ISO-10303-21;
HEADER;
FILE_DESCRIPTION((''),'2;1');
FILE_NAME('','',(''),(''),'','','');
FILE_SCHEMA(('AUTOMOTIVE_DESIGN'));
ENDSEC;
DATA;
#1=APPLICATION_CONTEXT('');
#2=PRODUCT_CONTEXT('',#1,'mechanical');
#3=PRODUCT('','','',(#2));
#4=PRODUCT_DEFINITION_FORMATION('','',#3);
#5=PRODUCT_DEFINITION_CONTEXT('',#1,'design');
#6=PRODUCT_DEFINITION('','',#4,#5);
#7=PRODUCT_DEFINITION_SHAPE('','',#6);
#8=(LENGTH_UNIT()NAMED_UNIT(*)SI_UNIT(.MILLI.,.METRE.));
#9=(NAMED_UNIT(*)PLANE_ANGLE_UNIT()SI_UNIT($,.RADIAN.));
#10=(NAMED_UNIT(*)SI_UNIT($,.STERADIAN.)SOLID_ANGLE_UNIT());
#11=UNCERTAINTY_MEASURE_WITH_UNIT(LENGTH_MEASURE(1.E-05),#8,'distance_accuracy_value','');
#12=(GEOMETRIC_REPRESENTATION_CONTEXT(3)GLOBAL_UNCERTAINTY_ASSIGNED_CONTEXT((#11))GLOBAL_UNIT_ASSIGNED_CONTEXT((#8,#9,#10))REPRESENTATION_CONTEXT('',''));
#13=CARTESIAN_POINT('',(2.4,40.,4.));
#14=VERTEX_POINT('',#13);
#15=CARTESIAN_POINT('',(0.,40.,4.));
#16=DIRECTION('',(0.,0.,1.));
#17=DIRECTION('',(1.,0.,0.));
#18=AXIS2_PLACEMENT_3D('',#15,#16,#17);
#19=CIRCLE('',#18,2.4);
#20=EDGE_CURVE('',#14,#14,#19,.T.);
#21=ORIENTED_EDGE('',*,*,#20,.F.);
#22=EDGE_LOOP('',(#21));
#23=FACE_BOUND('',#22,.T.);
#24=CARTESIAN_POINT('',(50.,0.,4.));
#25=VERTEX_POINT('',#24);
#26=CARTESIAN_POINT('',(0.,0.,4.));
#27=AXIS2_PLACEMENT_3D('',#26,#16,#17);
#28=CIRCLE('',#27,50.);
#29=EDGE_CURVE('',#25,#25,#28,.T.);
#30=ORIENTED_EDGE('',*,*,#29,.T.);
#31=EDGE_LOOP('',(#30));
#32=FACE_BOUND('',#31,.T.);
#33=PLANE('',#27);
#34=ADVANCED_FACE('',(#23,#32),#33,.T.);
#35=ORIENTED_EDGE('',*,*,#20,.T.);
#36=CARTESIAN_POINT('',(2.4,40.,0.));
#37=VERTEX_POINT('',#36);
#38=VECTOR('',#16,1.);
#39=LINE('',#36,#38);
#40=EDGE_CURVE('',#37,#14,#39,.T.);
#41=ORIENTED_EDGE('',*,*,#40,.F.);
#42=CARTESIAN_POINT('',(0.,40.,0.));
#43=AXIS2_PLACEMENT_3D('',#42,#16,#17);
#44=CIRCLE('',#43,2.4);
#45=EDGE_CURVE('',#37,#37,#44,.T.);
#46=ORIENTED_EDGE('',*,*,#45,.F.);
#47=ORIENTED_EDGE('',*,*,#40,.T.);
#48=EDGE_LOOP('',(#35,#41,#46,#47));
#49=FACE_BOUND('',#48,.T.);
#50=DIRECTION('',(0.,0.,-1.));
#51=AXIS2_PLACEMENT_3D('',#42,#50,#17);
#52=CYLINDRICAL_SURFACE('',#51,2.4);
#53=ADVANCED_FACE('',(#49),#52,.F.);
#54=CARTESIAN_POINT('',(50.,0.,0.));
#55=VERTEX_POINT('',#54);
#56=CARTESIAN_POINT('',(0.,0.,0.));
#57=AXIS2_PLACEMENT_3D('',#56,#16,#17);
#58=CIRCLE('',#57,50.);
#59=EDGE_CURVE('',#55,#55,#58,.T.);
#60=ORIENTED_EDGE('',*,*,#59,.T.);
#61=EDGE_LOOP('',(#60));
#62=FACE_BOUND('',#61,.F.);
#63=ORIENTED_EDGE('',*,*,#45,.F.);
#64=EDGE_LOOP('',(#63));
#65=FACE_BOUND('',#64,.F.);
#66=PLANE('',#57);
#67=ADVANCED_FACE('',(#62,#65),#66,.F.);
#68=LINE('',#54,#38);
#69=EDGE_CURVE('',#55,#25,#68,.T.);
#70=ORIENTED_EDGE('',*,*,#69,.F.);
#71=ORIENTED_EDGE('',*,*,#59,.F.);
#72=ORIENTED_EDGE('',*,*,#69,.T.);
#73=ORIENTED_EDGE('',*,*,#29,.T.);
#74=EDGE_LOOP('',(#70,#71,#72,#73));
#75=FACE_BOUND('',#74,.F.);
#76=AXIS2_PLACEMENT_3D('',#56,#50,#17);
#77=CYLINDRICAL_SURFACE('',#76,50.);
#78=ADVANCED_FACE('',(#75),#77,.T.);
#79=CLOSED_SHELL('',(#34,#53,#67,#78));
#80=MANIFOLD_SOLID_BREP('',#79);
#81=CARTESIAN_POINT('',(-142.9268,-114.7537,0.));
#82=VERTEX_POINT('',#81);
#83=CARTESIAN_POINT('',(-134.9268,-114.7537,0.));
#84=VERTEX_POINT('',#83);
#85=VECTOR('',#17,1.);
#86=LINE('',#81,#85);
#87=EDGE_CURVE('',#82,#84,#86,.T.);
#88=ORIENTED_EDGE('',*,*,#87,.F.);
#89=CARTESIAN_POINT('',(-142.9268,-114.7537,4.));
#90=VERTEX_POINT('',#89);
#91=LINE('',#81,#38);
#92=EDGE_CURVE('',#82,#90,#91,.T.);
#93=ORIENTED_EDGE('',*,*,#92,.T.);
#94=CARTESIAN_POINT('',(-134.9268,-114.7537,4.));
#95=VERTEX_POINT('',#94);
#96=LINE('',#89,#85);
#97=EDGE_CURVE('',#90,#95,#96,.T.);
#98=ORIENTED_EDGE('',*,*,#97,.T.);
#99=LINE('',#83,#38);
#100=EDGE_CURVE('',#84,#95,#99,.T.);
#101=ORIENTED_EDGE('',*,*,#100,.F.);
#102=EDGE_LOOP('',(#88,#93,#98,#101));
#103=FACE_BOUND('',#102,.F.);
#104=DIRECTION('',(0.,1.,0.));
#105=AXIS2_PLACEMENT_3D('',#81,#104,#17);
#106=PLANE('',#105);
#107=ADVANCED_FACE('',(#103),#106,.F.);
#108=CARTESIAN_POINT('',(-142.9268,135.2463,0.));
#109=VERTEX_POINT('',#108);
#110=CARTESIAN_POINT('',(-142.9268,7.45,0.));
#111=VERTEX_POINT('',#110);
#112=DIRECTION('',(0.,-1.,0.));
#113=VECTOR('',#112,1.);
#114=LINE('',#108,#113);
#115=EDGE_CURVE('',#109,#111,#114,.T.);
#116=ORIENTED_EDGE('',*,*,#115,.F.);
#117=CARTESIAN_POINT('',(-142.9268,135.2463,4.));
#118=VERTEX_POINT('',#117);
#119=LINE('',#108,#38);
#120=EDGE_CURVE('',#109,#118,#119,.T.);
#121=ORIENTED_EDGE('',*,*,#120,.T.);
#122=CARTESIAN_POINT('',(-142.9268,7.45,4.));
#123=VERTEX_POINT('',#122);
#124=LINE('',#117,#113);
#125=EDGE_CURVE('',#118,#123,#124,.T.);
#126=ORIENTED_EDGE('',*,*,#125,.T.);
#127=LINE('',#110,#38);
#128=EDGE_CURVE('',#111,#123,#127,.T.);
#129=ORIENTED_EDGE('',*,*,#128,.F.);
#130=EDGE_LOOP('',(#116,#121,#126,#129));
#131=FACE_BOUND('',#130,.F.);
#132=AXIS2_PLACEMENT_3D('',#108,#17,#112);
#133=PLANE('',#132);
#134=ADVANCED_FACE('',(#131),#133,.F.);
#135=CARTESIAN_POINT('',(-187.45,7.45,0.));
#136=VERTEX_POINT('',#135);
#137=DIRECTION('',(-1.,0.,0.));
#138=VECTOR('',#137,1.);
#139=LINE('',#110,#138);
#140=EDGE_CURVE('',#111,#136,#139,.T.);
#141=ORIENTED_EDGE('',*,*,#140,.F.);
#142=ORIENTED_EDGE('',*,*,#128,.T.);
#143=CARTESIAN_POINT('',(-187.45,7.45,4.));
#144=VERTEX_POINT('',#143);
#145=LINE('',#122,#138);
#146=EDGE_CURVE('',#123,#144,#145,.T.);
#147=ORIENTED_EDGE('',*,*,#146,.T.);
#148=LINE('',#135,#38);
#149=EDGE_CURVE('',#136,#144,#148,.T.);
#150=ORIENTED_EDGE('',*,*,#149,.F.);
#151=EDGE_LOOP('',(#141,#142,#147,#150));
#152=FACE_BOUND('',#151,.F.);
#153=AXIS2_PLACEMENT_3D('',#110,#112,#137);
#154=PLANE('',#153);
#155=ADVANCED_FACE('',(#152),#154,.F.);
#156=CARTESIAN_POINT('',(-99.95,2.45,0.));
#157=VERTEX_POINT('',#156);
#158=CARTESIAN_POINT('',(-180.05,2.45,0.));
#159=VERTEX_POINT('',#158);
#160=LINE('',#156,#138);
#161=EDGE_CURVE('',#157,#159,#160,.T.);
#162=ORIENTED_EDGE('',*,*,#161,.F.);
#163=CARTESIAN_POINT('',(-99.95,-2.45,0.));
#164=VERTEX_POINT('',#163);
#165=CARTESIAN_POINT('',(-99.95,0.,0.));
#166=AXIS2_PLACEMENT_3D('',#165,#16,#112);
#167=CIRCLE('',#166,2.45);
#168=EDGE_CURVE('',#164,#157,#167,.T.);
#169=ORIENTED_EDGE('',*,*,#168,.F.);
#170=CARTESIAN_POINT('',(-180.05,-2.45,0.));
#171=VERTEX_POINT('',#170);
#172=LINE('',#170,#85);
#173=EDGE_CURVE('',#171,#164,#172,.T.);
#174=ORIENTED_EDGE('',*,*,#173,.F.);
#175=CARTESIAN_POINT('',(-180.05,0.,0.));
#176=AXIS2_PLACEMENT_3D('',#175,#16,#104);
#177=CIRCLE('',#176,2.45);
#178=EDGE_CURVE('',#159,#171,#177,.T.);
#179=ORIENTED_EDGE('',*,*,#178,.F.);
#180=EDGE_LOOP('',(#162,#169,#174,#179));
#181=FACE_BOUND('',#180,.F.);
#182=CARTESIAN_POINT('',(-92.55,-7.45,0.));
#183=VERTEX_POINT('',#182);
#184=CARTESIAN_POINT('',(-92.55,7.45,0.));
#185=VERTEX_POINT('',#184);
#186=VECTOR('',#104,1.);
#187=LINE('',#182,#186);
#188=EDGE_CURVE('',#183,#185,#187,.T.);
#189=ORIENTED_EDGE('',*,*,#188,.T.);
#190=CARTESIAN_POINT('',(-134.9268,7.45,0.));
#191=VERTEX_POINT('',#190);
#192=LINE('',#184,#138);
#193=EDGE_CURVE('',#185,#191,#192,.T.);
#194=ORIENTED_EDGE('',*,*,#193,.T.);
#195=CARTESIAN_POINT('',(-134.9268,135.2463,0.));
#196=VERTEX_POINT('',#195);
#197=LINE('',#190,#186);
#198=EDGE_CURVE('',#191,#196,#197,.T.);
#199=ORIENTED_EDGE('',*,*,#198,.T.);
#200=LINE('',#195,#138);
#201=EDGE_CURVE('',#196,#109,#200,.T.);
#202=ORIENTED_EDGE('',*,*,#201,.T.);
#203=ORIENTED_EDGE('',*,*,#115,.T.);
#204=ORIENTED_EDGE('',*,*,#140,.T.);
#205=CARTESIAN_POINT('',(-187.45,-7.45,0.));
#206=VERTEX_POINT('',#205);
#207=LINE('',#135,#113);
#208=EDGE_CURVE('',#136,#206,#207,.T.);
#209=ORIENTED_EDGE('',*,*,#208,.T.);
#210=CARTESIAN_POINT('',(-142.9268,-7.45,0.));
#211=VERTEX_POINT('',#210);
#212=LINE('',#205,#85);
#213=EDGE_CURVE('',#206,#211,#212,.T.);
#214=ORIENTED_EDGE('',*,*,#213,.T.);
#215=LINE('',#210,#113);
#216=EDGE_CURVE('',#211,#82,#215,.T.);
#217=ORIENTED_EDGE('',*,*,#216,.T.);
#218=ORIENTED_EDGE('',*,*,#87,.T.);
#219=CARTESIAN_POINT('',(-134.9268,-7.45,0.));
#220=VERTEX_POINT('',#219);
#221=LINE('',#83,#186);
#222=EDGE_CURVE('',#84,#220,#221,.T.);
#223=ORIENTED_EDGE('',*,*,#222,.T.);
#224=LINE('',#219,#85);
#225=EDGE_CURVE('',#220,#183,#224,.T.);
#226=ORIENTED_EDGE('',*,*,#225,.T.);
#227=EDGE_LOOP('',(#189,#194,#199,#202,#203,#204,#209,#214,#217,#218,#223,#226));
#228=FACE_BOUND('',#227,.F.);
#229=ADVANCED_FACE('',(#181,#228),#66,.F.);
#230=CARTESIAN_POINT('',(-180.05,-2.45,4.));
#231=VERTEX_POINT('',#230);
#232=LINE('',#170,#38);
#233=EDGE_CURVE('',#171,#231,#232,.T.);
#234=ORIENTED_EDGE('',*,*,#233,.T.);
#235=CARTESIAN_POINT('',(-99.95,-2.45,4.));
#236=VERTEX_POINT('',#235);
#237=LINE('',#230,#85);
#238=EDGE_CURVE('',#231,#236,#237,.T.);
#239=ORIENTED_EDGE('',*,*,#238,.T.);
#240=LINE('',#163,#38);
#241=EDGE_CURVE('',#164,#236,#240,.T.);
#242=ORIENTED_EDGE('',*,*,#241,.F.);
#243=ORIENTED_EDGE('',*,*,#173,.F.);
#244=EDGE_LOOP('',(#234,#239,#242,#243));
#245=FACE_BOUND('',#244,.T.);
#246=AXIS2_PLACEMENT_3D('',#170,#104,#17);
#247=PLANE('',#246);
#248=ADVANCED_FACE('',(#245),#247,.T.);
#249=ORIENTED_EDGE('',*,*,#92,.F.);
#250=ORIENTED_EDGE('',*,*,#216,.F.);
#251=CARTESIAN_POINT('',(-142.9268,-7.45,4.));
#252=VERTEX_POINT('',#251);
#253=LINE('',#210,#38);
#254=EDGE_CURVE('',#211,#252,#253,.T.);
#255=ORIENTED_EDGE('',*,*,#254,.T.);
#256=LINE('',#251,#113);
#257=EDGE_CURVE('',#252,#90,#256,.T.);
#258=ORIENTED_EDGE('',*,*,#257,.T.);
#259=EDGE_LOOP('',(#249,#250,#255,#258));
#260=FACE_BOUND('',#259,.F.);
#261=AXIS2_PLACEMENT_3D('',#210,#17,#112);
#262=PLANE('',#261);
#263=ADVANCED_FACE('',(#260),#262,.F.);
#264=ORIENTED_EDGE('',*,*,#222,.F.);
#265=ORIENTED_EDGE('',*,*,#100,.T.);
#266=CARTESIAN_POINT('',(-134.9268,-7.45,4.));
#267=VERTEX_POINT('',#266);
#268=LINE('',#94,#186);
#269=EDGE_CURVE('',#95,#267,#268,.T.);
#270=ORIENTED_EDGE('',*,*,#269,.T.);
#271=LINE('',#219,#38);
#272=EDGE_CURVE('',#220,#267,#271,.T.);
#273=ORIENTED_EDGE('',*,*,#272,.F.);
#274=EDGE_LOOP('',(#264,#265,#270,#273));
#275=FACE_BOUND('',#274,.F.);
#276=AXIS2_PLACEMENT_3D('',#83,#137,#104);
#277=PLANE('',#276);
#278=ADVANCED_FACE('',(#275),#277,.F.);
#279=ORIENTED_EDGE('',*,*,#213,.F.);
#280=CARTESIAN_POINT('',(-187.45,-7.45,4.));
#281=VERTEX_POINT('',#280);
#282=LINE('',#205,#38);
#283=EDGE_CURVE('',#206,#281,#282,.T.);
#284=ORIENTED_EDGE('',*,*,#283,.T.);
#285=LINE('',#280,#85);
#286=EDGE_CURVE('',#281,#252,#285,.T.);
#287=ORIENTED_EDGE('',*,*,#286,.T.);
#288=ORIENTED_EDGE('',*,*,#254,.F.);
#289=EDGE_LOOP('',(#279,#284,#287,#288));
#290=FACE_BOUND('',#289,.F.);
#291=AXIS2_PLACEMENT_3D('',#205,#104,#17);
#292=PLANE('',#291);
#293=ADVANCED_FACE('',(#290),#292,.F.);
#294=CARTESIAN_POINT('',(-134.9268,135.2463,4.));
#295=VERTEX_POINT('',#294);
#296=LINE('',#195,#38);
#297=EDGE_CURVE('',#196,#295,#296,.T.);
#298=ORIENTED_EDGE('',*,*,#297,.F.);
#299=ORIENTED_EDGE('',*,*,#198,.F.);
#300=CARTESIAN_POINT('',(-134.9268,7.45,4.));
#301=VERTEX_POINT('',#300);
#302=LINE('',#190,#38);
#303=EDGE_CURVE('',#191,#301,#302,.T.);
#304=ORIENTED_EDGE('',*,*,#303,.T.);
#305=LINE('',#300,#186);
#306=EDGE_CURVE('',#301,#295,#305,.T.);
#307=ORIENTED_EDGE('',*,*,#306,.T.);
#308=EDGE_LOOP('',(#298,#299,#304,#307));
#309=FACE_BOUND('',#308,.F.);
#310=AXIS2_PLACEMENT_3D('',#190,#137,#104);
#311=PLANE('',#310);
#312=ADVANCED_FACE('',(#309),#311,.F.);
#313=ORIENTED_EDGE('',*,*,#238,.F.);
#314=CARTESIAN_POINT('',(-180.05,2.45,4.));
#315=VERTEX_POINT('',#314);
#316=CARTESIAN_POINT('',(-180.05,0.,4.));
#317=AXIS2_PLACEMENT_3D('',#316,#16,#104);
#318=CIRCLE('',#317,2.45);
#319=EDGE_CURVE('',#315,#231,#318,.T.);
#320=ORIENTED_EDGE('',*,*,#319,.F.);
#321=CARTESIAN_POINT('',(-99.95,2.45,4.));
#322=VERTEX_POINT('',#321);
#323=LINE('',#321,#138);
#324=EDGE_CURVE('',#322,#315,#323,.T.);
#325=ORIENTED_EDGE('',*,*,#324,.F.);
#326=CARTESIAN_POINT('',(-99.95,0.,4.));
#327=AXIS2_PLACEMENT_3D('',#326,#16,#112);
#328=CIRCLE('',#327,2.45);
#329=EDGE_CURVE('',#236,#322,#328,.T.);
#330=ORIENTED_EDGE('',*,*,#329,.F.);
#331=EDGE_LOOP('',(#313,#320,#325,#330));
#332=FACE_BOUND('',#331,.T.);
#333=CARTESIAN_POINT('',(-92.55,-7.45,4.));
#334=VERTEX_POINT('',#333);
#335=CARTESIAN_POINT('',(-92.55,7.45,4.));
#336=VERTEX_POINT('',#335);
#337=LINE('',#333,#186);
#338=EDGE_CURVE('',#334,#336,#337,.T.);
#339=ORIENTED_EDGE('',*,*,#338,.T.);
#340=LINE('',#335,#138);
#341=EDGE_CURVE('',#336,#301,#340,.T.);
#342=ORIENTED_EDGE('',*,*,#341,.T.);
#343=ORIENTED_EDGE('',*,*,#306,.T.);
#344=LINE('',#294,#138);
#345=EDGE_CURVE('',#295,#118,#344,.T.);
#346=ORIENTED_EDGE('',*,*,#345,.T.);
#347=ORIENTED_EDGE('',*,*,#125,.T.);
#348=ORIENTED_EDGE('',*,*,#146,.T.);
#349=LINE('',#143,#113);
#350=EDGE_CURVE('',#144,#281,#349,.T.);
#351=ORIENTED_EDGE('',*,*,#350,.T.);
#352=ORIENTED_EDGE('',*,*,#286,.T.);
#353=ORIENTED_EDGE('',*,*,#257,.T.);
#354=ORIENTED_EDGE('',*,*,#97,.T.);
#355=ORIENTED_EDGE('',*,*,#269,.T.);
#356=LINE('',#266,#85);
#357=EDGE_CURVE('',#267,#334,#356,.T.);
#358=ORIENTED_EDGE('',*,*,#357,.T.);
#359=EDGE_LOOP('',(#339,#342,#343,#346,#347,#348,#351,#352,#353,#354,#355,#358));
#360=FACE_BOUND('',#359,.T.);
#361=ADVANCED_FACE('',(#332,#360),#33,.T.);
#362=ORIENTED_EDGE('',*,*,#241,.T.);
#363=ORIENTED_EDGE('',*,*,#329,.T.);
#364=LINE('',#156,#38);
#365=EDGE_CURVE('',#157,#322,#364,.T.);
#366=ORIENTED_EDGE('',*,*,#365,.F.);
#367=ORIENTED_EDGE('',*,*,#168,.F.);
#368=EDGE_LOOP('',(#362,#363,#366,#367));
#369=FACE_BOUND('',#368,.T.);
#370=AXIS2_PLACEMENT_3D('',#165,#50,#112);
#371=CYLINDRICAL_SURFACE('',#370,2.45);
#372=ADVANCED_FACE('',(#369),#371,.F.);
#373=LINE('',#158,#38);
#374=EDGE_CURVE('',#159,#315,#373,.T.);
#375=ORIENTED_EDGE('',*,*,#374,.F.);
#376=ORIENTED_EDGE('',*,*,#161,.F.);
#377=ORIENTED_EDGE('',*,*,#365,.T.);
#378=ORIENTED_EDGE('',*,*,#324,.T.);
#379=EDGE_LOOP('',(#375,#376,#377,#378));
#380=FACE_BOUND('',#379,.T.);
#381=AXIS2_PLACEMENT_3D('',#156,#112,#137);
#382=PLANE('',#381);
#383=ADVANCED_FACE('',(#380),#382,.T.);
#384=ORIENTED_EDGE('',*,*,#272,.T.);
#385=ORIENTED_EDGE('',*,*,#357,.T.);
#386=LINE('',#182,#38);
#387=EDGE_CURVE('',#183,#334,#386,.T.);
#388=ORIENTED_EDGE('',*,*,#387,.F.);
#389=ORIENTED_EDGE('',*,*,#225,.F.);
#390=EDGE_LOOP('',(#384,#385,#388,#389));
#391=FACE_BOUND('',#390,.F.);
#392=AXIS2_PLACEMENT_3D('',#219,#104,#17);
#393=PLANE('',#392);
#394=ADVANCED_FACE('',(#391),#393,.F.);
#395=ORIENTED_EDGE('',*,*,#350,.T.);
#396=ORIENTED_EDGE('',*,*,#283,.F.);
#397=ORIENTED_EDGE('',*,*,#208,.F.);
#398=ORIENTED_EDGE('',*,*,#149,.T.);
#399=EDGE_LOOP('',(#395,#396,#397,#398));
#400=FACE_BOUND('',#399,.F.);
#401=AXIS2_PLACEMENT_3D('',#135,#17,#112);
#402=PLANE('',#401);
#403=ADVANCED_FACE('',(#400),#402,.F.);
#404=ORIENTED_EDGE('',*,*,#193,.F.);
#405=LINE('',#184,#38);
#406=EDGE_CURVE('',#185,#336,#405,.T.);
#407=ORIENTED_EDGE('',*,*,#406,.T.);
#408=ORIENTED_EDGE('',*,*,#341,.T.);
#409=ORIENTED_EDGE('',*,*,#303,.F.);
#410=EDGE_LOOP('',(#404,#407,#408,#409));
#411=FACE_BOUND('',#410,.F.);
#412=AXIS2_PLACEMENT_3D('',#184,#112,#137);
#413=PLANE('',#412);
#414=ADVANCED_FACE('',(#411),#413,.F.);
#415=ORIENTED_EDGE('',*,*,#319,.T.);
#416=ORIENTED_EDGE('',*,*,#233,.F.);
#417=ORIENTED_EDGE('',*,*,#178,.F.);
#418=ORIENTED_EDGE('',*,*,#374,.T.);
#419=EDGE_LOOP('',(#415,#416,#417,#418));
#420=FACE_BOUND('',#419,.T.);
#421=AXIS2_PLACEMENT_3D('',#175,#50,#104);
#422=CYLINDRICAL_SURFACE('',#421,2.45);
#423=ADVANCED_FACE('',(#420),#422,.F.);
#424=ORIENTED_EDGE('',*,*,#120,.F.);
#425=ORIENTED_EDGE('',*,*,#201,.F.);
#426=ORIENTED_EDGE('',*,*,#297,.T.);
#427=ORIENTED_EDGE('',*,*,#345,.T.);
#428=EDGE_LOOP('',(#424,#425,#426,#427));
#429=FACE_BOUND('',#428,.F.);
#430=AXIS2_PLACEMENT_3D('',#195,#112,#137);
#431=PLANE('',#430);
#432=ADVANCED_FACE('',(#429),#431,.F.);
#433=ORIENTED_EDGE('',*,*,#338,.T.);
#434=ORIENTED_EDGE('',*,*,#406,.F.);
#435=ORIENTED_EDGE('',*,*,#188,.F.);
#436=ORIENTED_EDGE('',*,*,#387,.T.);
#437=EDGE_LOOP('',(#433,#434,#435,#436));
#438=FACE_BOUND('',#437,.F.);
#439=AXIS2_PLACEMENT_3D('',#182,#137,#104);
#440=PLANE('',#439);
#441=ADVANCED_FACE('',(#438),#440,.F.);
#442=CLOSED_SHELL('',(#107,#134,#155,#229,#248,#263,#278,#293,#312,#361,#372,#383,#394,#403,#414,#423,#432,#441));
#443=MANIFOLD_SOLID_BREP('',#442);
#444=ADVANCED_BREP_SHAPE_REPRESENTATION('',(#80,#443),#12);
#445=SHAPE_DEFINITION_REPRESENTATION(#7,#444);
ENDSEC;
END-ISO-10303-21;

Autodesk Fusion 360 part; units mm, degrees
sketch "Sketch1" plane through (0, 0, 0) normal (0, 0, 1) x (1, 0, 0)
  line L0 (-134.9268, 7.45) -> (-134.9268, 135.2463)
  line L1 (-99.95, -2.45) -> (-99.95, -2.4)
  line L2 (-187.45, 7.45) -> (-187.45, -7.45)
  line L3 (-134.9268, 135.2463) -> (-142.9268, 135.2463)
  line L4 (-134.9268, -7.45) -> (-92.55, -7.45)
  line L5 (-99.95, 2.45) -> (-180.05, 2.45)
  line L6 (-92.55, -7.45) -> (-92.55, 7.45)
  arc A0 (-99.95, -2.45) -> (-99.95, 2.45) centre (-99.95, 0) ccw
  line L7 (-134.9268, -114.7537) -> (-134.9268, -7.45)
  line L8 (-99.95, 2.4) -> (-99.95, 2.45)
  line L9 (-180.05, -2.45) -> (-99.95, -2.45)
  line L10 (-92.55, 7.45) -> (-134.9268, 7.45)
  line L11 (-142.9268, 7.45) -> (-187.45, 7.45)
  arc A1 (-180.05, 2.45) -> (-180.05, -2.45) centre (-180.05, 0) ccw
  line L12 (-142.9268, 135.2463) -> (-142.9268, 7.45)
  line L13 (-142.9268, -7.45) -> (-142.9268, -114.7537)
  line L14 (-142.9268, -114.7537) -> (-134.9268, -114.7537)
  line L15 (-187.45, -7.45) -> (-142.9268, -7.45)
  point P0 (-140, 0)
  point P1 (-99.95, 0)
  point P2 (-180.05, 0)
  point P3 (-140, 0)
  point P4 (-140, 0)
  point P5 (-140, 0)
  dimension "d12" = 8
  dimension "d13" = 250
  dimension "d14" = 94.9
  dimension "d15" = 14.9
  dimension "d16" = 80.1
  dimension "d17" = 4.9
  dimension "d18" = 4.9
  dimension "d19" = 4.9
sketch "Sketch2" plane through (0, 0, 0) normal (0, 0, 1) x (1, 0, 0)
  circle A0 centre (0, 0) radius 50
  circle A1 centre (0, 40) radius 2.4
  dimension "d20" = 100
  dimension "d22" = 4.8
extrude "Extrude1" add sketch "Sketch2" along normal blind 4 makes body 1
extrude "Extrude2" add sketch "Sketch1" along normal blind 4 separate body makes body 2
sketch "Sketch5" plane through (0, 0, 4) normal (0, 0, 1) x (-1, 0, 0)
  circle A0 centre (0, -40) radius 2.4
  circle A1 centre (0, 0) radius 50
  arc A2 (180.05, -2.45) -> (180.05, 2.45) centre (180.05, 0) ccw
  line L0 (180.05, -2.45) -> (99.95, -2.45)
  arc A3 (99.95, 2.45) -> (99.95, -2.45) centre (99.95, 0) ccw
  line L1 (99.95, 2.45) -> (180.05, 2.45)
  line L2 (187.45, 7.45) -> (142.9268, 7.45)
  line L3 (142.9268, 7.45) -> (142.9268, 114.7537)
  line L4 (142.9268, 114.7537) -> (134.9268, 114.7537)
  line L5 (134.9268, 114.7537) -> (134.9268, 7.45)
  line L6 (134.9268, 7.45) -> (92.55, 7.45)
  line L7 (92.55, 7.45) -> (92.55, -7.45)
  line L8 (92.55, -7.45) -> (134.9268, -7.45)
  line L9 (134.9268, -7.45) -> (134.9268, -135.2463)
  line L10 (134.9268, -135.2463) -> (142.9268, -135.2463)
  line L11 (142.9268, -135.2463) -> (142.9268, -7.45)
  line L12 (142.9268, -7.45) -> (187.45, -7.45)
  line L13 (187.45, -7.45) -> (187.45, 7.45)
sketch "Sketch6" plane through (0, 0, 0) normal (0, 0, 1) x (1, 0, 0)
equation "d14 = ( 2 * 45 ) * 1 mm + 4.8 mm + 0.1 mm"
equation "d15 = ( 2 * 5 ) * 1 mm + 4.8 mm + 0.1 mm"
equation "d16 = ( 40 * 2 ) * 1 mm + 0.1 mm"
equation "d17 = 4.8 mm + 0.1 mm"
equation "d18 = 4.8 mm + 0.1 mm"
equation "d19 = 4.8 mm + 0.1 mm"
